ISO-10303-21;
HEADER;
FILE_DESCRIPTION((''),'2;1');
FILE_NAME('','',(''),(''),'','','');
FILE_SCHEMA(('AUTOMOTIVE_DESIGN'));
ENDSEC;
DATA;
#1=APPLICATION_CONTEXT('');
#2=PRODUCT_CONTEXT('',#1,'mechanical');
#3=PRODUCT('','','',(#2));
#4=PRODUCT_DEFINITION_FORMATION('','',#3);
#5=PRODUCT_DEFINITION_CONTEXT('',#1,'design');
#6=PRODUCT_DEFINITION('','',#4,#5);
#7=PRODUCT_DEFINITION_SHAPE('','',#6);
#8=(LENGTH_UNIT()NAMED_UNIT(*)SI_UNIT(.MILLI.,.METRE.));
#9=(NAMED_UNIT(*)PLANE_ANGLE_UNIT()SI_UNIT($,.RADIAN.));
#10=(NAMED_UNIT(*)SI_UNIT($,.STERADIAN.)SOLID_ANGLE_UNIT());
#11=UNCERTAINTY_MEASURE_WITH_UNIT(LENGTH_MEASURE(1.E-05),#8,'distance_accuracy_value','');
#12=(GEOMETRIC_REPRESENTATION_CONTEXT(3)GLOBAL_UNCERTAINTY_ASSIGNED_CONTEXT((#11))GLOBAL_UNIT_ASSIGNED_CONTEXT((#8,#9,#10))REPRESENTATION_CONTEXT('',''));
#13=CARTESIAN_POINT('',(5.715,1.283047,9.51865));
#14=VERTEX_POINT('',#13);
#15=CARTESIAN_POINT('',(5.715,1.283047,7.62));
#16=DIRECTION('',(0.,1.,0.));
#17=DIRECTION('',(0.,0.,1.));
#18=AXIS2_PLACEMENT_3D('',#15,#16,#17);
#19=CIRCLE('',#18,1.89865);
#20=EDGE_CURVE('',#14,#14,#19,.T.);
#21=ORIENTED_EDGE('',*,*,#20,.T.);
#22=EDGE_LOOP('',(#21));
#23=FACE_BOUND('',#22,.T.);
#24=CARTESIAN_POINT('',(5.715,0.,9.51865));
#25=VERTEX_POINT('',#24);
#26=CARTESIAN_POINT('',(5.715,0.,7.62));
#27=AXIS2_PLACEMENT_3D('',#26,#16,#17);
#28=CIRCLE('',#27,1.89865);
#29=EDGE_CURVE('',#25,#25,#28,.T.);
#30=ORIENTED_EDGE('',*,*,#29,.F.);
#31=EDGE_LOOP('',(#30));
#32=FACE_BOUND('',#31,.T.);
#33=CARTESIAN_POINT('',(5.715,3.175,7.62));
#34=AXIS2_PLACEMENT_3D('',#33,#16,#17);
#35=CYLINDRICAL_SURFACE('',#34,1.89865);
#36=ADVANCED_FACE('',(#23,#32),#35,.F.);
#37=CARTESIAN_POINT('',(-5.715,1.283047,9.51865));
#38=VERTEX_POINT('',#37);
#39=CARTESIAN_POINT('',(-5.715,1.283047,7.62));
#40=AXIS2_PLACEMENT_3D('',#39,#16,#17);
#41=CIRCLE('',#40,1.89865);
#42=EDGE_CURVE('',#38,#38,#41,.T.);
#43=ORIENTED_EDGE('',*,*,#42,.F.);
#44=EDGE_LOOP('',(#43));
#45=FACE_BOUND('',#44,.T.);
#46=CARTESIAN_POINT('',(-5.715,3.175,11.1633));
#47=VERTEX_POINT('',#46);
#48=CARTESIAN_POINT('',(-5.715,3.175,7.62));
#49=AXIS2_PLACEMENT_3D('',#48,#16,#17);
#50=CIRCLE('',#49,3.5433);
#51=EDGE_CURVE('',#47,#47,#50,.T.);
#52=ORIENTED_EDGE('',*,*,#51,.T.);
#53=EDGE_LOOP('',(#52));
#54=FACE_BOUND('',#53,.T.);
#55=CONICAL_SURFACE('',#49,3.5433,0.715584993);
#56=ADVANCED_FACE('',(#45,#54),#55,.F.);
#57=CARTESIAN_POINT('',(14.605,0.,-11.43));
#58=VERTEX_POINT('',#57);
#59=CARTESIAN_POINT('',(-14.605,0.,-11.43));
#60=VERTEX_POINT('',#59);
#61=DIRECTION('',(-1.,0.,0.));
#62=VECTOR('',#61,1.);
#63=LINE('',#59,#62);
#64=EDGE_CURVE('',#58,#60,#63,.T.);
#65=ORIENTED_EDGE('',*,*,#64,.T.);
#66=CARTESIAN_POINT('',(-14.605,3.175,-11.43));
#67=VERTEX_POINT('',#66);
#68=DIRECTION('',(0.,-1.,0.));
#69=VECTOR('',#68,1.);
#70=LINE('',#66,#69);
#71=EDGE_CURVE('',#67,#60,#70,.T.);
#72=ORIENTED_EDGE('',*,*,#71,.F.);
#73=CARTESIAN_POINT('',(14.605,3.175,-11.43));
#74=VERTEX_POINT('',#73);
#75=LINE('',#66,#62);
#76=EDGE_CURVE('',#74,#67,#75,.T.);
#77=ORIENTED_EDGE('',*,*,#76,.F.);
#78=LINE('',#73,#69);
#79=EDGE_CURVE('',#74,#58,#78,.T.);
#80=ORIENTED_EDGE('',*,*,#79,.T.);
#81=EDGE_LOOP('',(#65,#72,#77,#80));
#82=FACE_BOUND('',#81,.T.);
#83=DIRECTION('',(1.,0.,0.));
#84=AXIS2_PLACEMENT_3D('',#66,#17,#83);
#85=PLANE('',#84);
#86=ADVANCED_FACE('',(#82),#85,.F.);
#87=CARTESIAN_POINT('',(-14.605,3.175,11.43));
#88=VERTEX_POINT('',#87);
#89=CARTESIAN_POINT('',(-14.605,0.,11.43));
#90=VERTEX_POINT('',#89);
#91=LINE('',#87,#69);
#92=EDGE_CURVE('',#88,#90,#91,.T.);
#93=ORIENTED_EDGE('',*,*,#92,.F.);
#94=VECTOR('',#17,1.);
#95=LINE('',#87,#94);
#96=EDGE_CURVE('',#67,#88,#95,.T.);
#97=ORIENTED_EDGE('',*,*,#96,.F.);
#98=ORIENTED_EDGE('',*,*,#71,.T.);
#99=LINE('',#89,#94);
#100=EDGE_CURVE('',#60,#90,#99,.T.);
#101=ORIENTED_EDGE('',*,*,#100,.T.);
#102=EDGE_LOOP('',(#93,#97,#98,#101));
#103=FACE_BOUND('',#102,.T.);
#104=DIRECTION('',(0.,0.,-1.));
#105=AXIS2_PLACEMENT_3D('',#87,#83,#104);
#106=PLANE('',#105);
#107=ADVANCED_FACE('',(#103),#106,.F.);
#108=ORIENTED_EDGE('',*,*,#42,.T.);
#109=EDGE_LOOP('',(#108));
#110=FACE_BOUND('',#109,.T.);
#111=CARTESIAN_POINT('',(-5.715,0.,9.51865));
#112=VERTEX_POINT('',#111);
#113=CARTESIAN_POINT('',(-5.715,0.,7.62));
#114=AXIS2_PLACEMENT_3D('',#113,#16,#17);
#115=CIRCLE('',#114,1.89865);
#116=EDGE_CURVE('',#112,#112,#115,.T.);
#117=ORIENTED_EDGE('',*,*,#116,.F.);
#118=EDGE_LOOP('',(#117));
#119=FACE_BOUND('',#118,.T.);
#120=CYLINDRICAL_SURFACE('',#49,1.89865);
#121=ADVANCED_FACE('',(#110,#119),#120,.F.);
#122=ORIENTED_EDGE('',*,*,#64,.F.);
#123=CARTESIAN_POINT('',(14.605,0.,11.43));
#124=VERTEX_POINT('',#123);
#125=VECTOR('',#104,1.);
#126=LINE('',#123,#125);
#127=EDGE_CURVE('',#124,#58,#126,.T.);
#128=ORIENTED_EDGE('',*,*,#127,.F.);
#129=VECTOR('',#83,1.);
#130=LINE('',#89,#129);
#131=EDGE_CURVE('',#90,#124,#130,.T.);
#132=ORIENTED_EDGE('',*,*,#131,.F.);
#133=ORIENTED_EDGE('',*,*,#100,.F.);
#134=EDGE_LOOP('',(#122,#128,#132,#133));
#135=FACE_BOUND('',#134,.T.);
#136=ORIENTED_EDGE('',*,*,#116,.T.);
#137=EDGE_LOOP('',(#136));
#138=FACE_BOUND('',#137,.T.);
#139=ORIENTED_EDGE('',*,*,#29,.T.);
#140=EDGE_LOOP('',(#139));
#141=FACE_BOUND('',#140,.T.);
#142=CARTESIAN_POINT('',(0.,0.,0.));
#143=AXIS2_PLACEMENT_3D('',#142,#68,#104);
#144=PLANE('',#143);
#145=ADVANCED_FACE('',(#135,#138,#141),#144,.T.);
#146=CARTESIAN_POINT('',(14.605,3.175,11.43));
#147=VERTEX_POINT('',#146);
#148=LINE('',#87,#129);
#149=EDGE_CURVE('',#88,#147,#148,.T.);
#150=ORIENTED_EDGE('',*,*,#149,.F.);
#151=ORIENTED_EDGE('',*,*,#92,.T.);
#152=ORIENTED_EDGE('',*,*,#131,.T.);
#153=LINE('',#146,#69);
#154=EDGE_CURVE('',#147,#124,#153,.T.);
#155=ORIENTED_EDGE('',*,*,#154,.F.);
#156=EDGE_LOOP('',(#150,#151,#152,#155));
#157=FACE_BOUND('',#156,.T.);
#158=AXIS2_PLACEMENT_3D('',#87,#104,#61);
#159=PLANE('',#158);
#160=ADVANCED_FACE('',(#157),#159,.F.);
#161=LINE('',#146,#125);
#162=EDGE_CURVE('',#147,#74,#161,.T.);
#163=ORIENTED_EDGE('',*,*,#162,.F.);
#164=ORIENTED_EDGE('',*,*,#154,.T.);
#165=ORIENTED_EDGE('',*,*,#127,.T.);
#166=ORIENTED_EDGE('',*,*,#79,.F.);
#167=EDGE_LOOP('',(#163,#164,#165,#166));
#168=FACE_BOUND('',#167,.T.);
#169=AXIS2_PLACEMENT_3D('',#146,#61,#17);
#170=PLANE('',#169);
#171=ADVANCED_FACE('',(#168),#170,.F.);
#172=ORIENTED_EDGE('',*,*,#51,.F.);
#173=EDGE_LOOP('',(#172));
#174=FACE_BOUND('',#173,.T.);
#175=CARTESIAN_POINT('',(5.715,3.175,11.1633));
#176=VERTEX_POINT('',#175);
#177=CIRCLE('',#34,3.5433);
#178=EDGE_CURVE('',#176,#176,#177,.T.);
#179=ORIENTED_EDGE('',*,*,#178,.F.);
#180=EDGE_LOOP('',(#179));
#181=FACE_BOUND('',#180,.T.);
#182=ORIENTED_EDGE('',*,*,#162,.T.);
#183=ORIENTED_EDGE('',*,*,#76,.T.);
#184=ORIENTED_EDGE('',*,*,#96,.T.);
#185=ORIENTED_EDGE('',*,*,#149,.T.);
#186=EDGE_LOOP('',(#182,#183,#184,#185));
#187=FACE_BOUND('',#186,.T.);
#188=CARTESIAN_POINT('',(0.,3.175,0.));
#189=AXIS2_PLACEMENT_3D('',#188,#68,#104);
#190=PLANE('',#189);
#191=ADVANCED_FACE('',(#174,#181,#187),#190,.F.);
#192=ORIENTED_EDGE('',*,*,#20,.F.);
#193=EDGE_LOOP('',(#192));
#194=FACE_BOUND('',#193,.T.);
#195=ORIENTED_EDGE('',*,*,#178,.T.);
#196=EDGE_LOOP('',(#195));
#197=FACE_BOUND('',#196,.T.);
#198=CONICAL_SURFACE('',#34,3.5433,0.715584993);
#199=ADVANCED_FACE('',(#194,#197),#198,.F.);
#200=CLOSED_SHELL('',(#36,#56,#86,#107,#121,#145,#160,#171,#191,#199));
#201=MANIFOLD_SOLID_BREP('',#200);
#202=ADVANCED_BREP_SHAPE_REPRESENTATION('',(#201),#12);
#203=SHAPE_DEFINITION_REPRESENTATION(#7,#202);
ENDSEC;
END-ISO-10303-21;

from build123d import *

# Parameters (mm, degrees)
SKETCH1_W                                     = 29.21
SKETCH1_H                                     = 22.86
BOSS_EXTRUDE1_DEPTH                           = 3.175
CSK_FOR_6_FLAT_HEAD_MACHINE_SCREW1_AT_2_COUNT = 2
CSK_FOR_6_FLAT_HEAD_MACHINE_SCREW1_AT_2_PITCH = 11.43


with BuildPart() as part:
    # Sketch1 → Boss-Extrude1 (new body)
    with BuildSketch(Plane(origin=(0, 0, 0), x_dir=(1, 0, 0), z_dir=(0, 1, 0))):
        Rectangle(SKETCH1_W, SKETCH1_H)
    extrude(amount=BOSS_EXTRUDE1_DEPTH)

    # Sketch5 → CSK for #6 Flat Head Machine Screw1 (revolve, cut)
    with BuildSketch(Plane(origin=(-5.715, 3.175, 7.62), x_dir=(0, 0, 1), z_dir=(1, 0, 0))):
        Polygon((0, 0), (0, 3.175), (1.89865, 3.175), (1.89865, 1.891953401), (3.5433, 0), align=None)
    csk_for_6_flat_head_machine_screw1 = revolve(axis=Axis((-5.715, 9.525, 7.62), (0, -1, 0)), mode=Mode.SUBTRACT)

    # CSK for #6 Flat Head Machine Screw1 at 2: CSK for #6 Flat Head Machine Screw1 ×2
    with Locations(*[(i * CSK_FOR_6_FLAT_HEAD_MACHINE_SCREW1_AT_2_PITCH, 0, 0) for i in range(1, CSK_FOR_6_FLAT_HEAD_MACHINE_SCREW1_AT_2_COUNT)]):
        add(csk_for_6_flat_head_machine_screw1, mode=Mode.SUBTRACT)


solid = part.part
